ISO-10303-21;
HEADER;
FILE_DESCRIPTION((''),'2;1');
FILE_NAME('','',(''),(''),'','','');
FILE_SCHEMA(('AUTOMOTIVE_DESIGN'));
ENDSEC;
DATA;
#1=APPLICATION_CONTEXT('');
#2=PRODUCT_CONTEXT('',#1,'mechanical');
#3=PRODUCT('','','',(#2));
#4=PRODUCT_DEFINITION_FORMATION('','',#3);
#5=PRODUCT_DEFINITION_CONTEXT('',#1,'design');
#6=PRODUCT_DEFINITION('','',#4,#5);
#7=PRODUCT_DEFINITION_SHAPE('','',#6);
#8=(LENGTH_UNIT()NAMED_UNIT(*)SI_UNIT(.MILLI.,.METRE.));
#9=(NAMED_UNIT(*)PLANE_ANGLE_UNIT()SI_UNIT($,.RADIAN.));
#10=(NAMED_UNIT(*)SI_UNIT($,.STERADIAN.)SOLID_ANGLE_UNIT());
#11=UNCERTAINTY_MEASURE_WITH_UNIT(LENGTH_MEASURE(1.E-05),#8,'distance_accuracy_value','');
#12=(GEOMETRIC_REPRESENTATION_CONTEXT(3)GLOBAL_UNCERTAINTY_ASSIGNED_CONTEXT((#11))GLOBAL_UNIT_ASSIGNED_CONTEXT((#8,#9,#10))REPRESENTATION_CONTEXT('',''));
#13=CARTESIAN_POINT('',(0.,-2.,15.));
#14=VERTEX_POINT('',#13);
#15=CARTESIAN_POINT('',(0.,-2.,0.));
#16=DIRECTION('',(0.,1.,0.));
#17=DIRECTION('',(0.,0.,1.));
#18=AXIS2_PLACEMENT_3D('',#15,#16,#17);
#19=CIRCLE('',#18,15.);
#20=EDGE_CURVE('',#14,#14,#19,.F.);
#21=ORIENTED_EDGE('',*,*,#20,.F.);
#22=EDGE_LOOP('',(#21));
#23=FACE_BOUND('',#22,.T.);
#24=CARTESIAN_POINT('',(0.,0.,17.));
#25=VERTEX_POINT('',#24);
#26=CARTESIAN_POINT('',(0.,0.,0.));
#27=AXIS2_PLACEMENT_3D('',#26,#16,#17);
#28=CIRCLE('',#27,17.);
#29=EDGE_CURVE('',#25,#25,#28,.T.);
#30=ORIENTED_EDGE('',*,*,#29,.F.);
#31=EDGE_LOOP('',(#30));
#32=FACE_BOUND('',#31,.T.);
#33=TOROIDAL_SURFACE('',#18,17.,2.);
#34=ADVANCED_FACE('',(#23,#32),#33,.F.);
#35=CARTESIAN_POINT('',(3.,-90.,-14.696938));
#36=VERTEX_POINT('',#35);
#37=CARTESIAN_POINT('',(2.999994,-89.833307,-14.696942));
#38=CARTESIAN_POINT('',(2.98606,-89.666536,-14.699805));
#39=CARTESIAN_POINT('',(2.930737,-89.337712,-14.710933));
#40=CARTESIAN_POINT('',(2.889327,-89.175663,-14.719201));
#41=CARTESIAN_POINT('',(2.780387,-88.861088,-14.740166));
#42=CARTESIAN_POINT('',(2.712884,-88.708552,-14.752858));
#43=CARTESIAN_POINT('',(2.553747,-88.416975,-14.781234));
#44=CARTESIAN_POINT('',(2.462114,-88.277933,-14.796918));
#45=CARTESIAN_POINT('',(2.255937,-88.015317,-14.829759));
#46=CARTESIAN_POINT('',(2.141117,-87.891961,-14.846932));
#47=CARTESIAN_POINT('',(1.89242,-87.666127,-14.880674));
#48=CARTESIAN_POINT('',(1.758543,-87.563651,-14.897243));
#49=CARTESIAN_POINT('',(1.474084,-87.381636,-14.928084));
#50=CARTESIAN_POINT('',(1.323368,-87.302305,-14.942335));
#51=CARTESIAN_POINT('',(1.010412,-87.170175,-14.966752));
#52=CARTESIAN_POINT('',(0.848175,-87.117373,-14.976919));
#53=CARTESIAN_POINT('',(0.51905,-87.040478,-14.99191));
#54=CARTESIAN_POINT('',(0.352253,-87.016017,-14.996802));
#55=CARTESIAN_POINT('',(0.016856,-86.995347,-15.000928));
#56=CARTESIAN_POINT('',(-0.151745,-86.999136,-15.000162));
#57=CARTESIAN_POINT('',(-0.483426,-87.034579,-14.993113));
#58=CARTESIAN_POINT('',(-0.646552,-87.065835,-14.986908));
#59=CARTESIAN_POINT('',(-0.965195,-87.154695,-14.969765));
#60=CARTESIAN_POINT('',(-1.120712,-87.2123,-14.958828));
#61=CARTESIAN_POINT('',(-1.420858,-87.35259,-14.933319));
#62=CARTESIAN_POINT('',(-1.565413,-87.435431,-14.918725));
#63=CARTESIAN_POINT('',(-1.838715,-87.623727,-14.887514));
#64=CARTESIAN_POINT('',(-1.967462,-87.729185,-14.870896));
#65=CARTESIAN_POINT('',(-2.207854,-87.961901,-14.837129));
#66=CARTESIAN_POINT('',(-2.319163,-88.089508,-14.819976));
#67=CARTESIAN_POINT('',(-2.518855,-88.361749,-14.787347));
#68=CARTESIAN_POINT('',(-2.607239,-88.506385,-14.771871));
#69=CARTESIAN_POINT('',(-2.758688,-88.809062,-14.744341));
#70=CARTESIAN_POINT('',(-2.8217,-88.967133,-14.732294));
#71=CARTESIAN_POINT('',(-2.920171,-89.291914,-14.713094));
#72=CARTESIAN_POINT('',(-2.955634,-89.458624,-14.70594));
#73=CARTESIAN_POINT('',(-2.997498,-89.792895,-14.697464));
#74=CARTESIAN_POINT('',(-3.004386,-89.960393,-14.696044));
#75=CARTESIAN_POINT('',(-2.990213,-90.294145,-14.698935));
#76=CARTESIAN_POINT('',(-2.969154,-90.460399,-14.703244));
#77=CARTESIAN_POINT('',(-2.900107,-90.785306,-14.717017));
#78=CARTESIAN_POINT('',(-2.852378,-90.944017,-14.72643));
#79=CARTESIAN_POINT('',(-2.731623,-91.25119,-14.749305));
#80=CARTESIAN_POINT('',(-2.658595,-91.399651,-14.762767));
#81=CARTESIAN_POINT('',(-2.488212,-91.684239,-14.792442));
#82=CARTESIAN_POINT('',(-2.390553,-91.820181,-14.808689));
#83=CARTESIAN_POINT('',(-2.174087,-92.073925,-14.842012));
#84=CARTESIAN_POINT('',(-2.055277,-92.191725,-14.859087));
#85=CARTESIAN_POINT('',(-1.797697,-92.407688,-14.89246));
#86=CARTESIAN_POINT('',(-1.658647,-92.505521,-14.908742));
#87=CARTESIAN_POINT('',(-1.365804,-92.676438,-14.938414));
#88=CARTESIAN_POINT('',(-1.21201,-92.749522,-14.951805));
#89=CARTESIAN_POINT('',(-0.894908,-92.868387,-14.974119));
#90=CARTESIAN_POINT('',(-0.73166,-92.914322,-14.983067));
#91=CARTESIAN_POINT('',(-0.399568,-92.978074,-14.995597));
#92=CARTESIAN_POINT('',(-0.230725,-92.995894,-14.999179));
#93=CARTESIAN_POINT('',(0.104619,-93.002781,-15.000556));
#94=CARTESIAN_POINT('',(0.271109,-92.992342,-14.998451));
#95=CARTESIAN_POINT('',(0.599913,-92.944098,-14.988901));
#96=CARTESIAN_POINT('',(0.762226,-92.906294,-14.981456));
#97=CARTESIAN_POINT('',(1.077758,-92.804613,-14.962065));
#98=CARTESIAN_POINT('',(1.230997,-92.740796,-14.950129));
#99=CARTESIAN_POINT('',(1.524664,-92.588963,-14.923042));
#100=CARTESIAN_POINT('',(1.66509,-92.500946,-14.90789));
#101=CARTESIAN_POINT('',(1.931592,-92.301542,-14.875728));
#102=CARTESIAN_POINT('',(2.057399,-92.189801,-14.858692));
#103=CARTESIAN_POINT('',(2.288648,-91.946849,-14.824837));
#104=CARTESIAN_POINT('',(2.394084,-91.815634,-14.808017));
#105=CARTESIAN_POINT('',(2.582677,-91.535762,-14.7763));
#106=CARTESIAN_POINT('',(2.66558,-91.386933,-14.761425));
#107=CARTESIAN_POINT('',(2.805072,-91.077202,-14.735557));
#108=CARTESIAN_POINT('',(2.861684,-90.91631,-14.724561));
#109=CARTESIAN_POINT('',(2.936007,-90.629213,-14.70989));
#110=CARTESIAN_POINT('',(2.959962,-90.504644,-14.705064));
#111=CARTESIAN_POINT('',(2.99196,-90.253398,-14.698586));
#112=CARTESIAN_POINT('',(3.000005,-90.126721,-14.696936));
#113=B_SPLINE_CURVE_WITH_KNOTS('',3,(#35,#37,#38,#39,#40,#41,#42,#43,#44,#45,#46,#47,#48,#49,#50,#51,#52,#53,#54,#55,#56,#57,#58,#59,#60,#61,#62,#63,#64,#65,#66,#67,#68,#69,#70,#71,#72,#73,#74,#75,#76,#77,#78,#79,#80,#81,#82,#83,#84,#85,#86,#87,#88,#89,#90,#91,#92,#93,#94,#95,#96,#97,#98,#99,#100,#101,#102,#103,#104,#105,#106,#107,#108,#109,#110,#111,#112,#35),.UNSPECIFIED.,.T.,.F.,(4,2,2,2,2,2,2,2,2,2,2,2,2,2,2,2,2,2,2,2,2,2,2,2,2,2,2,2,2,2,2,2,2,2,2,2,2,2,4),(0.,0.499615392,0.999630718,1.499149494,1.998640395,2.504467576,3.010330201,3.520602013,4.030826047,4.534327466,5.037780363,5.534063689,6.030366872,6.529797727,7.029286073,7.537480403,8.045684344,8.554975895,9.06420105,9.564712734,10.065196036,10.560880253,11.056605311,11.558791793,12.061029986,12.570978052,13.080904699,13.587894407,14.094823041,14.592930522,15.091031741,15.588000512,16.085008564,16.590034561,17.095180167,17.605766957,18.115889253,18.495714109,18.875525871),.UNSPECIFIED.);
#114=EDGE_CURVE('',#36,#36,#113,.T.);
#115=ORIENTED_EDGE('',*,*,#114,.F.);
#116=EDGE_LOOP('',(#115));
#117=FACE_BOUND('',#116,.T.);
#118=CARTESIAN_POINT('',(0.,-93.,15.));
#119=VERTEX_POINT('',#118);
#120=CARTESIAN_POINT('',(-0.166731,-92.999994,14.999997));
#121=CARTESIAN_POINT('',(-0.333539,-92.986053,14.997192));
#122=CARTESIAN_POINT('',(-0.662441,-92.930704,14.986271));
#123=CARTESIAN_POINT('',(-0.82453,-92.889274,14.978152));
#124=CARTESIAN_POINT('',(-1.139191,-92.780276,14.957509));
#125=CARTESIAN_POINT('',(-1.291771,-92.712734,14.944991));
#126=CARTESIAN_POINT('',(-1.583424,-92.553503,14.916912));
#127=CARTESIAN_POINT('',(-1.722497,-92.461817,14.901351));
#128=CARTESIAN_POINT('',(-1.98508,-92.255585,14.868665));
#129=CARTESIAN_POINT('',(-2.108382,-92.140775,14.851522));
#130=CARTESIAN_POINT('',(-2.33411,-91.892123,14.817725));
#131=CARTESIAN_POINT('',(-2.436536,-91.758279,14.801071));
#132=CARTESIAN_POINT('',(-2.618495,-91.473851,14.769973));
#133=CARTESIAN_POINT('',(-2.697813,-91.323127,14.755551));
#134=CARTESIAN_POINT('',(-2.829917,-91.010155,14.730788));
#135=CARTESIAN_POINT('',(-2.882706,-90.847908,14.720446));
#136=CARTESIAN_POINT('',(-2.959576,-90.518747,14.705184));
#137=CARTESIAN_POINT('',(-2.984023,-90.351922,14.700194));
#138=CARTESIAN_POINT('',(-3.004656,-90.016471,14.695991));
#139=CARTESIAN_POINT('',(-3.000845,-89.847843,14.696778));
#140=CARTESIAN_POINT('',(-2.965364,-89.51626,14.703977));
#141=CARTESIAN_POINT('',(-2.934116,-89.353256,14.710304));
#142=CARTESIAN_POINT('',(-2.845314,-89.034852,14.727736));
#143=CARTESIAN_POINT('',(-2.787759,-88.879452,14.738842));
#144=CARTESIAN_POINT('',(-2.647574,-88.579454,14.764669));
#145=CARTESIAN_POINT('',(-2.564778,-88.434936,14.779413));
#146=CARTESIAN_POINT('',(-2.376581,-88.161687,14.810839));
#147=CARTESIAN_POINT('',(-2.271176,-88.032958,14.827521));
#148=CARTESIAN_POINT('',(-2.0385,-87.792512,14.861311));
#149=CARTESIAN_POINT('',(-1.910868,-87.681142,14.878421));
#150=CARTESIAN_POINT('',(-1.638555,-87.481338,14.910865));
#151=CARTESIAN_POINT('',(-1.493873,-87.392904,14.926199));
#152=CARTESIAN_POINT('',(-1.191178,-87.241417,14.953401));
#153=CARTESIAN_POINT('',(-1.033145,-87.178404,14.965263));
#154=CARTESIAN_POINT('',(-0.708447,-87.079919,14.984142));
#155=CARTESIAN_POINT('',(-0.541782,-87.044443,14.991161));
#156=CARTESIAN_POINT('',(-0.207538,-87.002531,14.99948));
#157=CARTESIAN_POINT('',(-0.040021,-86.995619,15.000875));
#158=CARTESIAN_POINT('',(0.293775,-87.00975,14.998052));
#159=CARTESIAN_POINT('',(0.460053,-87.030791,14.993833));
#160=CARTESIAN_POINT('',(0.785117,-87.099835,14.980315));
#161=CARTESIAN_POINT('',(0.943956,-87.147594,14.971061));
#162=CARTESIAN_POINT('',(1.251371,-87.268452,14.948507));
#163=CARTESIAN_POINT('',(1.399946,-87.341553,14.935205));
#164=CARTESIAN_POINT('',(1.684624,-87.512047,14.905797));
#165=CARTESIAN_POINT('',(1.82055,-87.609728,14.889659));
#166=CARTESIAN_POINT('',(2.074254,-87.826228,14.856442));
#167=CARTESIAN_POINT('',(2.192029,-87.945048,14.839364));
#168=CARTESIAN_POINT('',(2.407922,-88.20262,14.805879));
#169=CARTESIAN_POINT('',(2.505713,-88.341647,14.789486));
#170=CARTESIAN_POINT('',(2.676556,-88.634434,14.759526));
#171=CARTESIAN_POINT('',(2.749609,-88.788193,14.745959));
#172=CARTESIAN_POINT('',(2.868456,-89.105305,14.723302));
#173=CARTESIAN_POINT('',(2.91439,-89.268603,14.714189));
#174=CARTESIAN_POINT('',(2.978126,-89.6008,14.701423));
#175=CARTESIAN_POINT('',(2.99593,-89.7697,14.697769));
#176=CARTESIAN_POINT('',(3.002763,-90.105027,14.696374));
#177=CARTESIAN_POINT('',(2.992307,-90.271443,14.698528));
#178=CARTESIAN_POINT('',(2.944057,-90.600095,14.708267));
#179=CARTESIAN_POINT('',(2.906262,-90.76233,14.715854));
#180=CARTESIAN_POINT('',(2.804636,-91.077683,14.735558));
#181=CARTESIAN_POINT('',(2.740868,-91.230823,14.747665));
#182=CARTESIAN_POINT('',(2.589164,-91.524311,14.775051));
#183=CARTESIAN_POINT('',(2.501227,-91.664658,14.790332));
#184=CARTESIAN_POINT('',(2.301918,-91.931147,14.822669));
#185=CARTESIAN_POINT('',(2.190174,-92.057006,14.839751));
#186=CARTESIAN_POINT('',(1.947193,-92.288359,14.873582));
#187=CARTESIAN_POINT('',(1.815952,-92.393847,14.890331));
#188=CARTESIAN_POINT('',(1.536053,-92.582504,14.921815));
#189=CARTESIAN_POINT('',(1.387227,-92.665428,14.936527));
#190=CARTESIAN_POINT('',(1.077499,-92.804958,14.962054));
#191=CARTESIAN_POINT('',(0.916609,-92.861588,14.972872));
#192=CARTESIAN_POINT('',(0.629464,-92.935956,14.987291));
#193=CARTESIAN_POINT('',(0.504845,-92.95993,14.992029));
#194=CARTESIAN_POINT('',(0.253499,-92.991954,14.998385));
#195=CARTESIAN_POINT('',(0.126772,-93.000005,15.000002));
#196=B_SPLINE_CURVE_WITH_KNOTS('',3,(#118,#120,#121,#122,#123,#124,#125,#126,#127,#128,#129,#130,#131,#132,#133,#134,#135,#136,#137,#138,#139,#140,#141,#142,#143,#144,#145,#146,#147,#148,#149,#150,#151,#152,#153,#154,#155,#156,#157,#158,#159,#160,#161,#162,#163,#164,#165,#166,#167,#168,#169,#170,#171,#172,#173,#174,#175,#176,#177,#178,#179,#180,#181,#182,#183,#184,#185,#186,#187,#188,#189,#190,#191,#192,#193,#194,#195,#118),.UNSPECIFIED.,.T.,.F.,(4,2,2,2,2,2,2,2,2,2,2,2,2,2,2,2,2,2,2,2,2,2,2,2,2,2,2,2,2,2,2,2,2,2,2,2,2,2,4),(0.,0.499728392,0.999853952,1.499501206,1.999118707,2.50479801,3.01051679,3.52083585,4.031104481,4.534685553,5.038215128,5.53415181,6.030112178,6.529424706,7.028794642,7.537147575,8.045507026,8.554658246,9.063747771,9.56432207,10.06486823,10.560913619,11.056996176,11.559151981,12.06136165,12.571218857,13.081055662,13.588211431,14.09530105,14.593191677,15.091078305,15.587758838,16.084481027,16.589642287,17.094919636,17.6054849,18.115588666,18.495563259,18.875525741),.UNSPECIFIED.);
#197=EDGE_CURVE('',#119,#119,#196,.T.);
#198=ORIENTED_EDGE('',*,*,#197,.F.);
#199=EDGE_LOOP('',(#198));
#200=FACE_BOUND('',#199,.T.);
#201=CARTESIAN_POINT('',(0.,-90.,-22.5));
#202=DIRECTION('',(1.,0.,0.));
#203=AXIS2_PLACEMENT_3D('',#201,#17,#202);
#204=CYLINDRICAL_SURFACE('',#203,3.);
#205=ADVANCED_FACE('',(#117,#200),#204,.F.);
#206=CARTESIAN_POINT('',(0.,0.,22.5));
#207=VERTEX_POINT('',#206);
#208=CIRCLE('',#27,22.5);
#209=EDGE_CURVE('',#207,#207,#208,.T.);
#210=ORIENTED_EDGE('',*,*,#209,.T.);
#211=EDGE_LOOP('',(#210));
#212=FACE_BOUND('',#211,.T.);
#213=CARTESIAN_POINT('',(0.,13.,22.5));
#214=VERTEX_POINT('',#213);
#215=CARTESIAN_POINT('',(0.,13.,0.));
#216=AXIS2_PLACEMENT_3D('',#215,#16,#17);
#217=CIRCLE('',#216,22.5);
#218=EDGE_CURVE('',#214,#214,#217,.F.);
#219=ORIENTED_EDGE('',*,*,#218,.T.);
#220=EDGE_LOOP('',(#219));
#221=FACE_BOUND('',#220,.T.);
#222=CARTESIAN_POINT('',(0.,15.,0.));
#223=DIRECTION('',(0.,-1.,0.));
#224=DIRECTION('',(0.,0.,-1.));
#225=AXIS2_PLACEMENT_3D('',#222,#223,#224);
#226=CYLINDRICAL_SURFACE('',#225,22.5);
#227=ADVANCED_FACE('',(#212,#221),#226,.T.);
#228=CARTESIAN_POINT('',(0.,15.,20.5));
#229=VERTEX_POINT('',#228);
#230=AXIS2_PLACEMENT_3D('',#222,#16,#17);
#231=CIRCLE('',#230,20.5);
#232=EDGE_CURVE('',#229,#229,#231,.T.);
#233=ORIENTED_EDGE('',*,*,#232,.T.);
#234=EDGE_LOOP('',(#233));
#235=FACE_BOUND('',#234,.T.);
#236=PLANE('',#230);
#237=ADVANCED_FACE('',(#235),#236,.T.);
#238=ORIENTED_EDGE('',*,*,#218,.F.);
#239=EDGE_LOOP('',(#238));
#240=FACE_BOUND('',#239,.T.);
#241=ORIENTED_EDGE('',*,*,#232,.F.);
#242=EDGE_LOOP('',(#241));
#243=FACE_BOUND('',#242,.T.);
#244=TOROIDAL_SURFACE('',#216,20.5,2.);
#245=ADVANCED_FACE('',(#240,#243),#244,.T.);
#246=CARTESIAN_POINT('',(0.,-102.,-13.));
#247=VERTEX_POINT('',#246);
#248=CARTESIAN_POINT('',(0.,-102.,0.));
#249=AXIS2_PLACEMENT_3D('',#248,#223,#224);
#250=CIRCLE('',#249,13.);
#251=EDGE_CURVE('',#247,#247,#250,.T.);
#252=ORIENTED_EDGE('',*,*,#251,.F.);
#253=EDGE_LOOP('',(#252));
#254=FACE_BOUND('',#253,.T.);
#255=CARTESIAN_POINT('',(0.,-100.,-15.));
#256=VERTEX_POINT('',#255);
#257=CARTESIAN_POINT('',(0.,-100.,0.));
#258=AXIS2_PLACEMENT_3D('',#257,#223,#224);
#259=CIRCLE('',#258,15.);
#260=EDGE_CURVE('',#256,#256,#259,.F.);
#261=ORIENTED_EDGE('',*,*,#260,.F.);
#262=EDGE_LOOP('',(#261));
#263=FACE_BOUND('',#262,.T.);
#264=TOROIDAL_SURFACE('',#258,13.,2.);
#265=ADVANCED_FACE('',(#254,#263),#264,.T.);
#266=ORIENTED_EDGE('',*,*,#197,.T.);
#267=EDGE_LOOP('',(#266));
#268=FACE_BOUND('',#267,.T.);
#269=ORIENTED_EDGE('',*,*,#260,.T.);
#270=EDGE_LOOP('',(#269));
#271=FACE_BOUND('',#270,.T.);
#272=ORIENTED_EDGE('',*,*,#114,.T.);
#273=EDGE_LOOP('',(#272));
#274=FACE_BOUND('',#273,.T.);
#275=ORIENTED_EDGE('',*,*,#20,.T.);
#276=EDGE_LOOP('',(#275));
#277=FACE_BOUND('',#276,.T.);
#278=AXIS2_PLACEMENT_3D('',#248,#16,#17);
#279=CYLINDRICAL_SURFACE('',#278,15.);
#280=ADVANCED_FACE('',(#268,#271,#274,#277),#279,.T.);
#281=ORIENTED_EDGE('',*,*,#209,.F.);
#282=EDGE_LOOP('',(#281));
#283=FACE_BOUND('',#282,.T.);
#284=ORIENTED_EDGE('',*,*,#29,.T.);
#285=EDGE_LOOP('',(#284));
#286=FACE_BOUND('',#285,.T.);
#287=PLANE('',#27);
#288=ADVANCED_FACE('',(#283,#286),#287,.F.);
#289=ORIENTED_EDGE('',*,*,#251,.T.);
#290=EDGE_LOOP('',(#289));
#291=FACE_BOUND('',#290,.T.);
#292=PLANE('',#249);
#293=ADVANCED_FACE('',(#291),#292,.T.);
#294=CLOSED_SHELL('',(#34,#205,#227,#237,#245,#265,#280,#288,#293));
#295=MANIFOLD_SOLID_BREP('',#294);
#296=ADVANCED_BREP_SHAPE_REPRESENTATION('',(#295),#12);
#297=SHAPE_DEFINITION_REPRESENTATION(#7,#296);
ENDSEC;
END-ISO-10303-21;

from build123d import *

# Parameters (mm, degrees)
SKETCH1_R               = 22.5
BOSS_EXTRUDE1_DEPTH     = 15
SKETCH2_R               = 15
BOSS_EXTRUDE2_DEPTH     = 102
FILLET1_R               = 2
SKETCH3_R               = 3
CUT_EXTRUDE1_DEPTH      = 23.5
CUT_EXTRUDE1_DEPTH_BACK = 23.5


with BuildPart() as part:
    # Sketch1 → Boss-Extrude1 (new body)
    with BuildSketch(Plane(origin=(0, 0, 0), x_dir=(1, 0, 0), z_dir=(0, 1, 0))):
        Circle(SKETCH1_R)
    extrude(amount=BOSS_EXTRUDE1_DEPTH)

    # Sketch2 → Boss-Extrude2 (add)
    with BuildSketch(Plane.XZ):
        Circle(SKETCH2_R)
    extrude(amount=BOSS_EXTRUDE2_DEPTH)

    # Fillet1
    fillet1_edges = [part.edges().sort_by_distance(p)[0] for p in [
        (-22.5, 15, 0),
        (-15, 0, 0),
        (-15, -102, 0),
    ]]
    fillet(fillet1_edges, radius=FILLET1_R)

    # Sketch3 → Cut-Extrude1 (cut, two sides)
    with BuildSketch(Plane.XY) as cut_extrude1_sk:
        with Locations((0, -90)):
            Circle(SKETCH3_R)
    extrude(amount=CUT_EXTRUDE1_DEPTH, mode=Mode.SUBTRACT)
    extrude(cut_extrude1_sk.sketch, amount=-CUT_EXTRUDE1_DEPTH_BACK, mode=Mode.SUBTRACT)


solid = part.part
